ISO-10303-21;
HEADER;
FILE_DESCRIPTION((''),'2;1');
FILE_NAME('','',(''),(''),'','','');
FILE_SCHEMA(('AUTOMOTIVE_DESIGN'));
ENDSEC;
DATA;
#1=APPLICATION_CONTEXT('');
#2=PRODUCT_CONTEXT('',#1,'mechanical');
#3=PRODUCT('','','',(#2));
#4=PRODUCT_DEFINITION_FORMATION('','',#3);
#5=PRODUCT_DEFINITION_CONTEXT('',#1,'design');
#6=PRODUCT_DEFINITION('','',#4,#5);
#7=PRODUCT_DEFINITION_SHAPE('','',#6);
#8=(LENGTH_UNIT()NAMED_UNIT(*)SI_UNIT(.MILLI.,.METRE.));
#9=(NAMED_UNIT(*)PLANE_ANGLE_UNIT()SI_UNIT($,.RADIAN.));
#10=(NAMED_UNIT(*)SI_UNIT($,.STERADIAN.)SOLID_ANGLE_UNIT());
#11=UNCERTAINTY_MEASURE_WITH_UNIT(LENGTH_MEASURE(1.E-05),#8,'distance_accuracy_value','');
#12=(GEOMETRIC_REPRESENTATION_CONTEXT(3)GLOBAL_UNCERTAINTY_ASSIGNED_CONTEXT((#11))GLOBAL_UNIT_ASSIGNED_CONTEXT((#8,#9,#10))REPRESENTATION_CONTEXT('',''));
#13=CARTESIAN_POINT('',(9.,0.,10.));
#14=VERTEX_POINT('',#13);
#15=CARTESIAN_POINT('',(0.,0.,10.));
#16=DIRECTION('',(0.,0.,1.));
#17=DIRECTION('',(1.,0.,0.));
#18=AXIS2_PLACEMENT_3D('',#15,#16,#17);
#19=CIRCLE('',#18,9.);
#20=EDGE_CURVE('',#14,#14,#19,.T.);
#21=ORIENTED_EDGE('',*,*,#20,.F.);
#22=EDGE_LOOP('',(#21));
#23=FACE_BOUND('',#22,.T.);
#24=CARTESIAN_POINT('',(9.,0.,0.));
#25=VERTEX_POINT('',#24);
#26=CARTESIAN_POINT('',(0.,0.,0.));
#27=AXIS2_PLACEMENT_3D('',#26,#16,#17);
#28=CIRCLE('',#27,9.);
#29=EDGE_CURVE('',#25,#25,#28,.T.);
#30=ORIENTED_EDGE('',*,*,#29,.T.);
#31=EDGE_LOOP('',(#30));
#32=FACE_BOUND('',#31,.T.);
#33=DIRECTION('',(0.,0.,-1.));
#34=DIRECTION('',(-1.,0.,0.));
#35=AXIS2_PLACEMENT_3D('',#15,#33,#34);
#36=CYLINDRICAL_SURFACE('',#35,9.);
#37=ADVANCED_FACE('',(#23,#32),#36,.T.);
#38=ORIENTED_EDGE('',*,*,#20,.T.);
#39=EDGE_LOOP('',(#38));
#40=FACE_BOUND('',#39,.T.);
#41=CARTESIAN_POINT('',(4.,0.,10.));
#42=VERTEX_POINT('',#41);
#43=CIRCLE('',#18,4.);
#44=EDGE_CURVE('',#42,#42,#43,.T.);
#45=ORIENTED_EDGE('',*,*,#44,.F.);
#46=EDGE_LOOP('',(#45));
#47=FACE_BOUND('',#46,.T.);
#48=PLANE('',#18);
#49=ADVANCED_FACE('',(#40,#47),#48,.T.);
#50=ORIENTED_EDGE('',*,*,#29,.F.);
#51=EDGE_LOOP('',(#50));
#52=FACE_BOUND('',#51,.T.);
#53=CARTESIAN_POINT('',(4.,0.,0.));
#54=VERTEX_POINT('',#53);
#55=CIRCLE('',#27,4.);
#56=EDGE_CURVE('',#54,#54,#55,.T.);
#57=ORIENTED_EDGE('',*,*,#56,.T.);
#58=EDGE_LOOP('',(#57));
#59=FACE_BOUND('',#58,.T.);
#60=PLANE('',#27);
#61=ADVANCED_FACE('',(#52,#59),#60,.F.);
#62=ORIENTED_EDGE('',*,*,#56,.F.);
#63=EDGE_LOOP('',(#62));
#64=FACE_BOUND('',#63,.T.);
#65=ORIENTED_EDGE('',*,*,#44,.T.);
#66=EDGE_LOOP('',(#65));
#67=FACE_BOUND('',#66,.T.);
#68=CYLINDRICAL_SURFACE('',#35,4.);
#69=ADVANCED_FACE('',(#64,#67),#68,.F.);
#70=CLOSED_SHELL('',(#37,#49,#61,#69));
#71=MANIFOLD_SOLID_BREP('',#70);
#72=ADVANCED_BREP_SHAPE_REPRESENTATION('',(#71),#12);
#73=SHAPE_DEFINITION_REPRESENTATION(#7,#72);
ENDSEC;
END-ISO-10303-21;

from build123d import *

# Parameters (mm, degrees)
SCHIZZO1_R                   = 9
SCHIZZO1_R_2                 = 4
ESTRUSIONE_ESTRUSIONE1_DEPTH = 10


with BuildPart() as part:
    # Schizzo1 → Estrusione-Estrusione1 (new body)
    with BuildSketch(Plane.XY):
        Circle(SCHIZZO1_R)
        Circle(SCHIZZO1_R_2, mode=Mode.SUBTRACT)
    extrude(amount=ESTRUSIONE_ESTRUSIONE1_DEPTH)


solid = part.part
